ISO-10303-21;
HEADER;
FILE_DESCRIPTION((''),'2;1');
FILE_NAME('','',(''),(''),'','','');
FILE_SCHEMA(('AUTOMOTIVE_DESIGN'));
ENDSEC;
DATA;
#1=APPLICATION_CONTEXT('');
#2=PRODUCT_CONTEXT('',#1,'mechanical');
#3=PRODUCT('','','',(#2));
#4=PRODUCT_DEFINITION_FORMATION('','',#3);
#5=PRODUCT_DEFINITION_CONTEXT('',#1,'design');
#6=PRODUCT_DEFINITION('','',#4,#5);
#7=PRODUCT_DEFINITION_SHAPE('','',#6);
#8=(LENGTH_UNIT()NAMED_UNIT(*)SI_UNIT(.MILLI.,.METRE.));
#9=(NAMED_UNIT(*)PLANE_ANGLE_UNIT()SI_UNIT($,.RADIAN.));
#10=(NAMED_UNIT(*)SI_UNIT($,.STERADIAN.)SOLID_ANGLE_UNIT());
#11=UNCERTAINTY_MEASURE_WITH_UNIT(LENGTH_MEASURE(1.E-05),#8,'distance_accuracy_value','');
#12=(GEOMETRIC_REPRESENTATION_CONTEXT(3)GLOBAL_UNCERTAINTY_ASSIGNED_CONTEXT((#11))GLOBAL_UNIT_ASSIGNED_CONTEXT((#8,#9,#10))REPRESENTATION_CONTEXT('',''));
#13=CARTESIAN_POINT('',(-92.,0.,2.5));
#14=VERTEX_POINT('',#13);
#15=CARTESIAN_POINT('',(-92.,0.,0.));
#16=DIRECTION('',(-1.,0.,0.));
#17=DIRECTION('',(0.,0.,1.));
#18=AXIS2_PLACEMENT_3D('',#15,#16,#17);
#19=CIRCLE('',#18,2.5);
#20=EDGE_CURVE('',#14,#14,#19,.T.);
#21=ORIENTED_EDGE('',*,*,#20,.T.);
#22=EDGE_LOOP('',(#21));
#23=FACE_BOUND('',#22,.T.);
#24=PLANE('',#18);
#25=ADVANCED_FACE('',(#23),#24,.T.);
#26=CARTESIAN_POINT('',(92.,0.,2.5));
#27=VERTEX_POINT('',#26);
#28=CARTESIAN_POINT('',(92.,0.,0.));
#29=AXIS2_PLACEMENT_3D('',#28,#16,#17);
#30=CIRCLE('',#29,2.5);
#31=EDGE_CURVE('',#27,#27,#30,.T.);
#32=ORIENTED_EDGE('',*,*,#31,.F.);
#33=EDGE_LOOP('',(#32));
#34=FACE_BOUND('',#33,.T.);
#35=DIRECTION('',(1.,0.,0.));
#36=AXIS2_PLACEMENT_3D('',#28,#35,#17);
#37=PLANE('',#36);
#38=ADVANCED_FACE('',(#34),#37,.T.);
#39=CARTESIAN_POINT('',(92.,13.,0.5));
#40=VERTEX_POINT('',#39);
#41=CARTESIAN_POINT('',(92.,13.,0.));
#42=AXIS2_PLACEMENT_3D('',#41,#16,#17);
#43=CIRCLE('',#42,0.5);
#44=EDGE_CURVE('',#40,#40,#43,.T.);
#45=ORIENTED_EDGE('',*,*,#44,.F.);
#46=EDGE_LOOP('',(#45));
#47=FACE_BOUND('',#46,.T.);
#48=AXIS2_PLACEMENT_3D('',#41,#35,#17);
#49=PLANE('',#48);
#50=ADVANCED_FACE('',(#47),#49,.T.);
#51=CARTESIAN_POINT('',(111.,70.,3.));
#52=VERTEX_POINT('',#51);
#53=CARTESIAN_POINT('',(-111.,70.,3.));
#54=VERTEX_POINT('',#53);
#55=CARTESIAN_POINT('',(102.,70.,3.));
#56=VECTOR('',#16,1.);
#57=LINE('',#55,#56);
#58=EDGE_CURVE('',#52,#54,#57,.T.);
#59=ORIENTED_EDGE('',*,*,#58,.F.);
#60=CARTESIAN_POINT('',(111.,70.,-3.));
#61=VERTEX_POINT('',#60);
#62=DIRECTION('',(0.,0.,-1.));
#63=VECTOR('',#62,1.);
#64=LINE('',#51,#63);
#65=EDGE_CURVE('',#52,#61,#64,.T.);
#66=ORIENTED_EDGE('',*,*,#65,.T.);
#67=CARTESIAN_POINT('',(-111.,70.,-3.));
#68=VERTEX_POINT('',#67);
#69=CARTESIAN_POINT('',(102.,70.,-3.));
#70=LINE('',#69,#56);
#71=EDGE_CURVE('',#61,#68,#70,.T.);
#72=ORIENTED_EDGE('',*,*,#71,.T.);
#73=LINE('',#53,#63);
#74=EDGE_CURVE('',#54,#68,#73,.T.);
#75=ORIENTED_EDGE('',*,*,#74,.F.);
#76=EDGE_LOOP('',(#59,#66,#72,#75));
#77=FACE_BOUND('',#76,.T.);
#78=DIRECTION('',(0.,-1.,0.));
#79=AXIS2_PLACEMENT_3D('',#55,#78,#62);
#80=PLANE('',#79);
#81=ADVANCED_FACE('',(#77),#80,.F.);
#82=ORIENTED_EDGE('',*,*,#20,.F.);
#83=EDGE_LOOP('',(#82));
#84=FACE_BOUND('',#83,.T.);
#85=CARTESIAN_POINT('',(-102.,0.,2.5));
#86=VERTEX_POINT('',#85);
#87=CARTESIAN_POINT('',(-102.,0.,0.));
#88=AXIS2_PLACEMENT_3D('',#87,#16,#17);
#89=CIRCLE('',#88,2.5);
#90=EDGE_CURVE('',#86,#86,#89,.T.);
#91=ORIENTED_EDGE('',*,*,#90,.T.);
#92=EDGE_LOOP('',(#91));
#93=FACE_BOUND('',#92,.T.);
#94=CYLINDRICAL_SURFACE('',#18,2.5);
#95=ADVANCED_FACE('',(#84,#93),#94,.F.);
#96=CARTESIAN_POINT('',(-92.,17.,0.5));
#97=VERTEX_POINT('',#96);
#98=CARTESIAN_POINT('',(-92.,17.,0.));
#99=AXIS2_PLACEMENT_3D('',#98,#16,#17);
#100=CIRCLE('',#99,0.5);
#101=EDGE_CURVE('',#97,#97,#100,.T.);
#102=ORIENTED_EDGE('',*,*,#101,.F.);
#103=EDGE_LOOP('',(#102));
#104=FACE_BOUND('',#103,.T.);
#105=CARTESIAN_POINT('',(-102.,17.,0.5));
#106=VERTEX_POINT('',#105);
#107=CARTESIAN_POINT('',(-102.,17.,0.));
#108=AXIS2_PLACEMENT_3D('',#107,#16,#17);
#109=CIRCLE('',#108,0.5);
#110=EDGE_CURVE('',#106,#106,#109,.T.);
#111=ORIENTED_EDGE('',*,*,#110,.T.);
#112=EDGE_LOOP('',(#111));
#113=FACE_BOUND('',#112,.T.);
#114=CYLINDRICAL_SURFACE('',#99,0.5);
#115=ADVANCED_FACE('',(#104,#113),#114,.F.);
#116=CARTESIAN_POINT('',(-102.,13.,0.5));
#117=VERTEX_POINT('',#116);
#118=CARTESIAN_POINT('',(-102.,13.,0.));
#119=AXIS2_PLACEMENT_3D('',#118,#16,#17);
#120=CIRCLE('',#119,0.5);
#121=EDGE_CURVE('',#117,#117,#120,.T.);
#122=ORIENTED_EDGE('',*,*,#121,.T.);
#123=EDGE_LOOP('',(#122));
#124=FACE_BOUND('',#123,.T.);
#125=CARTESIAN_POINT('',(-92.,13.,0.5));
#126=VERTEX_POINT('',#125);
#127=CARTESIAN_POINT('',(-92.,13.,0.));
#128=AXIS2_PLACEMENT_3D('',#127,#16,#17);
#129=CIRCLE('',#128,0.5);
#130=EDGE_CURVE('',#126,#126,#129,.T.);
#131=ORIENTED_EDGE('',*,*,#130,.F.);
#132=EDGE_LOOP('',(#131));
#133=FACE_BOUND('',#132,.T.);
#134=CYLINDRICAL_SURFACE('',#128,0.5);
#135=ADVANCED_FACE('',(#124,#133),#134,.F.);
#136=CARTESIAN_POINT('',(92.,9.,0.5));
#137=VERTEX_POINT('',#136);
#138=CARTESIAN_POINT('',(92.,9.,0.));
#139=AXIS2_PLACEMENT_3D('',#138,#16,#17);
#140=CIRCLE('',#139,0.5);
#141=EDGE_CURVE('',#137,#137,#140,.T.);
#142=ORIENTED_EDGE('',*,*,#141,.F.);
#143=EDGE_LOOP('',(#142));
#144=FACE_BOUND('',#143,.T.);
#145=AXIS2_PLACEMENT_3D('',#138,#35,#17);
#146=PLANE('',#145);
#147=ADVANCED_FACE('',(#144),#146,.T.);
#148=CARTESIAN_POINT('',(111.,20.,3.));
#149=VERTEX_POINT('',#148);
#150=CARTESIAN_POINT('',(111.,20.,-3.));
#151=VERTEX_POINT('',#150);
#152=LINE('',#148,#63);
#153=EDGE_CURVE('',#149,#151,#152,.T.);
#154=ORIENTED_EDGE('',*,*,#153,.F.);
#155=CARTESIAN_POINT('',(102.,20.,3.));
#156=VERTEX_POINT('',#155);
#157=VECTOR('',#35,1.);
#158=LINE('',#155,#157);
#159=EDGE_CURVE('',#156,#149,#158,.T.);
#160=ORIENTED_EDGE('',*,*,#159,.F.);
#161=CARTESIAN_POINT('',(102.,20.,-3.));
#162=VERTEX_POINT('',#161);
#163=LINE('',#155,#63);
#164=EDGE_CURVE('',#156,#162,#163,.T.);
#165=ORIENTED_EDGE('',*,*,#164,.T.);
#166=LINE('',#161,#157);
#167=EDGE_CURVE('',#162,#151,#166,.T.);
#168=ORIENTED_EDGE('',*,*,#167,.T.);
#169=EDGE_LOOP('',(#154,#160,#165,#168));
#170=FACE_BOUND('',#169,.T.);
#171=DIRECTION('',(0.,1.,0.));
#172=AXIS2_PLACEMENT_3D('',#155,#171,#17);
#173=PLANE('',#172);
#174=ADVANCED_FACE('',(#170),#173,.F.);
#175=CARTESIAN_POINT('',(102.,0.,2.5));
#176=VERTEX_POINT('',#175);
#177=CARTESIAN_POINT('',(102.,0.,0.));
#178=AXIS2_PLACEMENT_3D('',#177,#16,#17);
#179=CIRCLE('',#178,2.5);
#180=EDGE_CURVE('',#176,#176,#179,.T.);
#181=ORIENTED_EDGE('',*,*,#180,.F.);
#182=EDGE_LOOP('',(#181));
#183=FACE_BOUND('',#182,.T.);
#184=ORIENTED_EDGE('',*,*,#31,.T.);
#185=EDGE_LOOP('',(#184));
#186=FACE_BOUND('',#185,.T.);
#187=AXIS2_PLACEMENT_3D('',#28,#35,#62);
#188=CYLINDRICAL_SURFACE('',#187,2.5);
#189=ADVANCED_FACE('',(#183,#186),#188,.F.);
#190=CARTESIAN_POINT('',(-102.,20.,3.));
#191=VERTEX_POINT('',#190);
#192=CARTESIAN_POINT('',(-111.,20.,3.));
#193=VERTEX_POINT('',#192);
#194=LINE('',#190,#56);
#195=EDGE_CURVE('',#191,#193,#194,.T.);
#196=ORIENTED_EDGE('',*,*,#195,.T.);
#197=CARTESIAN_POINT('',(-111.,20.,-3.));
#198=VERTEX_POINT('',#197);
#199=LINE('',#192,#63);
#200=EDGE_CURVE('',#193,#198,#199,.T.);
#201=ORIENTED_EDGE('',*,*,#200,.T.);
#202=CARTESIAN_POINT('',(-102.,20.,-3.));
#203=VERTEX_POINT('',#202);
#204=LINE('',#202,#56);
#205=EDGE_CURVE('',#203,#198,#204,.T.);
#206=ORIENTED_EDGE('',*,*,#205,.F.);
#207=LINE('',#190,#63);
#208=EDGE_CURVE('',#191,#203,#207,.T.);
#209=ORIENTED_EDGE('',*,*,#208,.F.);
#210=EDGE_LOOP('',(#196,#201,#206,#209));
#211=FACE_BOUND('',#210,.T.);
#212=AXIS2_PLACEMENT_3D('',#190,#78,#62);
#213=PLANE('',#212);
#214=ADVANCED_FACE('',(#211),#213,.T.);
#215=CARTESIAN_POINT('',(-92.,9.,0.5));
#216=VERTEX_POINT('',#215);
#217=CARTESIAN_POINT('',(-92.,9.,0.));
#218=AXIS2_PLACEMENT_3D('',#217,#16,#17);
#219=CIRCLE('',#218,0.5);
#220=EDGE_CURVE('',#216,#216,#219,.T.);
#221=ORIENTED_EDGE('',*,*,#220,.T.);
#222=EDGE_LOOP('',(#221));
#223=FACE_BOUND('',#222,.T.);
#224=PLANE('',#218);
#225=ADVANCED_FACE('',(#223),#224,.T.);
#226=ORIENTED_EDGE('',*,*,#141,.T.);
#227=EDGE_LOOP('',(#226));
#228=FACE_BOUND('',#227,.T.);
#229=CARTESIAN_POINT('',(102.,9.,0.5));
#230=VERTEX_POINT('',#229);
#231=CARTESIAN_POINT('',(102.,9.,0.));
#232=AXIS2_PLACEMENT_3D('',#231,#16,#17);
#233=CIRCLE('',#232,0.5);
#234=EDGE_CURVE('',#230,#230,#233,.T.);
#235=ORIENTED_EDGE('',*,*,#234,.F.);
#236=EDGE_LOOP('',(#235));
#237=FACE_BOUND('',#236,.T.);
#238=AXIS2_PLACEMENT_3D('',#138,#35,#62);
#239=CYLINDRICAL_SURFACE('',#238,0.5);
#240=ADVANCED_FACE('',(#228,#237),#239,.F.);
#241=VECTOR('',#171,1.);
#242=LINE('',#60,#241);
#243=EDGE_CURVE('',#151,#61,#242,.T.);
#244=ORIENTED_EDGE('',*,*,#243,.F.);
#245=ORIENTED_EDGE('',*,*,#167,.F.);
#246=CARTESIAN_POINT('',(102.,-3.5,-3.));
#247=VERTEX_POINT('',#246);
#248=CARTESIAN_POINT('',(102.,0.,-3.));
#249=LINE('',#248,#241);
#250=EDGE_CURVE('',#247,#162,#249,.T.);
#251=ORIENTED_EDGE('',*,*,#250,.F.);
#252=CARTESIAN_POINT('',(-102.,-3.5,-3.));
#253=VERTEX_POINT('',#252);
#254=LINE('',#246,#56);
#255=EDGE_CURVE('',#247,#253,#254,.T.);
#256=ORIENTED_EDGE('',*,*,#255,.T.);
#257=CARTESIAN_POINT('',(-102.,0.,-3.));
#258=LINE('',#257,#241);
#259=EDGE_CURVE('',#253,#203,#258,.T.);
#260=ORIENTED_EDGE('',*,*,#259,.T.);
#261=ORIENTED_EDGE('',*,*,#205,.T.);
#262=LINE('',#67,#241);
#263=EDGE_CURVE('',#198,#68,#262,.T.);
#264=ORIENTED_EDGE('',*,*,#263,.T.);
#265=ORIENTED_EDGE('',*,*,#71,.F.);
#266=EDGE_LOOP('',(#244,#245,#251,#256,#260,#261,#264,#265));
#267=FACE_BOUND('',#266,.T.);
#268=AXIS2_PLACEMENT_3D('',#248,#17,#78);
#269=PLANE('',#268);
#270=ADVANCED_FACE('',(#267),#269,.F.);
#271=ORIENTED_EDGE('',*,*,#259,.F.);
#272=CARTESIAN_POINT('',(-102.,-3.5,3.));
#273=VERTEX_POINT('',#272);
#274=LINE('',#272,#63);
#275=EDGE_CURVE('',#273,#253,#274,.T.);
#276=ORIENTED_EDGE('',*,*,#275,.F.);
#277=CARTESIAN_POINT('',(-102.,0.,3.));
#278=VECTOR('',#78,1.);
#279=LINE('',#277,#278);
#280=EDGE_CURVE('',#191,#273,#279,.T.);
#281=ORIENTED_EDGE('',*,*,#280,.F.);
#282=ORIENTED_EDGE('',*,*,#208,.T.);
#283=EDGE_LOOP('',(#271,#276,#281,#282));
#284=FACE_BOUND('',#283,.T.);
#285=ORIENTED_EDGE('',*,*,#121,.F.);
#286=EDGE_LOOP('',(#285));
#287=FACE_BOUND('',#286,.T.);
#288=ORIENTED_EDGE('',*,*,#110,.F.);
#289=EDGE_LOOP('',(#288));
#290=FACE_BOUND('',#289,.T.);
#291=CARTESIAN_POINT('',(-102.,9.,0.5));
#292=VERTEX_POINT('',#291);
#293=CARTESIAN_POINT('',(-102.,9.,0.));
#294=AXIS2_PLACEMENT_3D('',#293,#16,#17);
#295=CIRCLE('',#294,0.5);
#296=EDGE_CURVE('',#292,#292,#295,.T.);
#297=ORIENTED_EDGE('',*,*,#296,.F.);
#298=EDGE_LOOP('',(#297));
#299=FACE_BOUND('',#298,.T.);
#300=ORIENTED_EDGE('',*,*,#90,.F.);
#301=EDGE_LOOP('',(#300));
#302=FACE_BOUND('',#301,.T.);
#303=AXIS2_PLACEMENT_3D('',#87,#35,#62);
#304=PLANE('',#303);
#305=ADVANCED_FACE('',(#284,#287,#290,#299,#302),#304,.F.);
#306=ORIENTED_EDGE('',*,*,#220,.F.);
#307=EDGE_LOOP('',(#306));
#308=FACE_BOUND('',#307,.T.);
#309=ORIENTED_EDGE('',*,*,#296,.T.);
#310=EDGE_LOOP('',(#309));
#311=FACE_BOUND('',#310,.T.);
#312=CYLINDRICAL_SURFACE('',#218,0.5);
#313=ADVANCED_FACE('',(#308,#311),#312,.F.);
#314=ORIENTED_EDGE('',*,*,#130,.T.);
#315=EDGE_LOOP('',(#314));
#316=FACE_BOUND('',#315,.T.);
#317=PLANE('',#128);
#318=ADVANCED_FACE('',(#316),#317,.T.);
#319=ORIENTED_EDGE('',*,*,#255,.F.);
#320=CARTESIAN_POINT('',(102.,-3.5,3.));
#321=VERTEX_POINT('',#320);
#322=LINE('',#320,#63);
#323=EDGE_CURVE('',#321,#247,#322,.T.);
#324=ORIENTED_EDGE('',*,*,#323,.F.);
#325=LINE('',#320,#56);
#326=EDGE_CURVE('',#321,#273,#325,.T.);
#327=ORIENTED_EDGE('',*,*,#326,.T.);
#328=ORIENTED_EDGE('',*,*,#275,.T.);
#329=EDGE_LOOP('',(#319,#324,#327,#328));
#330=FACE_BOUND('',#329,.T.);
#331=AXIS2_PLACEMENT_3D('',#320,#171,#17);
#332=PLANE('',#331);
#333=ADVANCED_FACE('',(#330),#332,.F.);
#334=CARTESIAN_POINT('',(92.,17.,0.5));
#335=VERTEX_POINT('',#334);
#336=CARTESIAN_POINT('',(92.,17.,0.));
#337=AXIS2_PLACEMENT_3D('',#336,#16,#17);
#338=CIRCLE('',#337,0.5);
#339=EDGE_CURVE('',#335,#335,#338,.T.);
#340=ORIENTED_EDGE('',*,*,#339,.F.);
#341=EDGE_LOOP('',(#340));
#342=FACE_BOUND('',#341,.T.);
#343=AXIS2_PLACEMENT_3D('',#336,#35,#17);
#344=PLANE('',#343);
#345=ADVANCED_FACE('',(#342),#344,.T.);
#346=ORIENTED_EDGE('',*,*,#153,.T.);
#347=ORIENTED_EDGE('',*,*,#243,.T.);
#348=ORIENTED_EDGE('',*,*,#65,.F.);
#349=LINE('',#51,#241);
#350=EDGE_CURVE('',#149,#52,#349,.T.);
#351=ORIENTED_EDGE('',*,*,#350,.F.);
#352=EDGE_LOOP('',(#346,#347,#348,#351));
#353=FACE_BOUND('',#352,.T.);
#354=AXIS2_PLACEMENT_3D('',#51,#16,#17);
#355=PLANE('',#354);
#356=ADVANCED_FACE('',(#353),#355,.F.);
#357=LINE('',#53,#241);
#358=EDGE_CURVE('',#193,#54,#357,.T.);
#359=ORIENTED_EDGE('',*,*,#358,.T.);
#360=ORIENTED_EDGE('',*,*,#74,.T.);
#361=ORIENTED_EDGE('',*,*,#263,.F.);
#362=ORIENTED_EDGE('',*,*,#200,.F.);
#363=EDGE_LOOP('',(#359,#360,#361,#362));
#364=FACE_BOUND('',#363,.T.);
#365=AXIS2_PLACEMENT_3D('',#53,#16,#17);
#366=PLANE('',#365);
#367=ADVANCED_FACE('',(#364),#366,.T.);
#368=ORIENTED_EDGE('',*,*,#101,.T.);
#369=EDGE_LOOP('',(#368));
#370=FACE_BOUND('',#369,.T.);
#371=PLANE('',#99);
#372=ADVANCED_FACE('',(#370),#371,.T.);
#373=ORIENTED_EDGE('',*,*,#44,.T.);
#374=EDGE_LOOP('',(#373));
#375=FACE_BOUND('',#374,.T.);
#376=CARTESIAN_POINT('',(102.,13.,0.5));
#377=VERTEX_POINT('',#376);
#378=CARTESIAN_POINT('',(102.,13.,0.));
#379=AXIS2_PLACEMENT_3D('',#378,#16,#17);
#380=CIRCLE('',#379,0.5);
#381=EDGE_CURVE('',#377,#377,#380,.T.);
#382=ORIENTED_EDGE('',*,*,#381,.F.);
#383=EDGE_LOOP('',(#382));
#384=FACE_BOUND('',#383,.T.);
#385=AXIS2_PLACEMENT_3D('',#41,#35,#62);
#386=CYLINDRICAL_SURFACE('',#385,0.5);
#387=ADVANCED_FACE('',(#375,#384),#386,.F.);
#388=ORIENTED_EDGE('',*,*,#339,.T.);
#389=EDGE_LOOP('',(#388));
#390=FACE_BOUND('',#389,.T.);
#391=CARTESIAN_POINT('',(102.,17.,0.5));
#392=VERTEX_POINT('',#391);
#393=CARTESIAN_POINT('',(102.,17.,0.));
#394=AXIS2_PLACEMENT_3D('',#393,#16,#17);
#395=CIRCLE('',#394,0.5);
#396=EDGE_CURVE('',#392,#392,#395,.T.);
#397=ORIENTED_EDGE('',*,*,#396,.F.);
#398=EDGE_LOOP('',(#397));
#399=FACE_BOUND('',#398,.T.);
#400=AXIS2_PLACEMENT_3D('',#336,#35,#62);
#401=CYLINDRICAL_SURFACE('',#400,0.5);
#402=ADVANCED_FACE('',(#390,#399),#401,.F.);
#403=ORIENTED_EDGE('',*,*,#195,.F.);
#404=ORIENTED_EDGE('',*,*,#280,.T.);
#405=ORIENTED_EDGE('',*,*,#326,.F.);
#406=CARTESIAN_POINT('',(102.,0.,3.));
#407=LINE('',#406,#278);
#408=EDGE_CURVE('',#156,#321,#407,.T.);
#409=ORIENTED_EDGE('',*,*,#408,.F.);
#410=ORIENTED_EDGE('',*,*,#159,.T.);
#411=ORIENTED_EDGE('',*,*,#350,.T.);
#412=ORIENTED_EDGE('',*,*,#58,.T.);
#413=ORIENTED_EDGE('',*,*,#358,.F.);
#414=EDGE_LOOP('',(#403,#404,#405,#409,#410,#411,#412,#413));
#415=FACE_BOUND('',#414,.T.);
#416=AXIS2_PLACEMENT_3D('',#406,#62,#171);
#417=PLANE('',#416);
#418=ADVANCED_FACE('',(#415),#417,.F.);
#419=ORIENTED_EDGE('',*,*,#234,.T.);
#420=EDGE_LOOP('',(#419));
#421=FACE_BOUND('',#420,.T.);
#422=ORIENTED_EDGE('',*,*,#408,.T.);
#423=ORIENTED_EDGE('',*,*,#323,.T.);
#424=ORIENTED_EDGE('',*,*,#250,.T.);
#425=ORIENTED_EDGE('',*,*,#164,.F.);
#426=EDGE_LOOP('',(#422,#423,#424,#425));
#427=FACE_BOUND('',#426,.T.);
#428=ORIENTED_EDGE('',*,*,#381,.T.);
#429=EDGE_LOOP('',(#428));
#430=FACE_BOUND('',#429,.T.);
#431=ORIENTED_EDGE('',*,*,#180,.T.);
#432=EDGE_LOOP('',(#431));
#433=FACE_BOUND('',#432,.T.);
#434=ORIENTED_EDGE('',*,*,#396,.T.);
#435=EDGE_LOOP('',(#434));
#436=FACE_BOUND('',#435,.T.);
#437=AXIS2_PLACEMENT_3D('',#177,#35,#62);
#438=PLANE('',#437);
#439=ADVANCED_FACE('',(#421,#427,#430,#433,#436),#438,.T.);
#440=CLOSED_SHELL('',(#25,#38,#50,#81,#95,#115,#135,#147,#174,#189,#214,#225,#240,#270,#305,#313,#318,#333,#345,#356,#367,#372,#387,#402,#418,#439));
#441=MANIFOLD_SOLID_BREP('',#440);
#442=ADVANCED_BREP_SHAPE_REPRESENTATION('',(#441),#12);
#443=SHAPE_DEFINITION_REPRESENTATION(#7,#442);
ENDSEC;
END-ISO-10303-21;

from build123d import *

# Parameters (mm, degrees)
EXTRUDE_1_DEPTH     = 102
SKETCH_2_W          = 9
SKETCH_2_H          = 50
EXTRUDE_2_DEPTH     = 6
SKETCH_3_R          = 0.5
SKETCH_3_R_2        = 2.5
CUT_EXTRUDE_1_DEPTH = 10


with BuildPart() as part:
    # 草图1 → 凸台-拉伸1 (new, symmetric)
    with BuildSketch(Plane(origin=(0, 0, 0), x_dir=(0, 0, -1), z_dir=(1, 0, 0))):
        Polygon((-3, 0), (-3, 70), (3, 70), (3, 0), (3, -3.5), (-3, -3.5), align=None)
    extrude(amount=EXTRUDE_1_DEPTH, both=True)

    # 草图2 → 凸台-拉伸2 (add)
    with BuildSketch(Plane(origin=(0, 0, -3), x_dir=(-1, 0, 0), z_dir=(0, 0, -1))):
        with Locations((106.5, 45)):
            Rectangle(SKETCH_2_W, SKETCH_2_H)
    extrude_2 = extrude(amount=-EXTRUDE_2_DEPTH)

    # 草图3 → 切除-拉伸1 (cut)
    with BuildSketch(Plane.ZY.offset(102)):
        with Locations((0, 17)):
            Circle(SKETCH_3_R)
        Circle(SKETCH_3_R_2)
        with Locations((0, 13)):
            Circle(SKETCH_3_R)
        with Locations((0, 9)):
            Circle(SKETCH_3_R)
    cut_extrude_1 = extrude(amount=-CUT_EXTRUDE_1_DEPTH, mode=Mode.SUBTRACT)

    # 镜向1: 凸台-拉伸2, 切除-拉伸1 across plane
    add(extrude_2.mirror(Plane(origin=(0, 0, 0), x_dir=(0, 0, 1), z_dir=(1, 0, 0))))
    add(cut_extrude_1.mirror(Plane(origin=(0, 0, 0), x_dir=(0, 0, 1), z_dir=(1, 0, 0))), mode=Mode.SUBTRACT)


solid = part.part
